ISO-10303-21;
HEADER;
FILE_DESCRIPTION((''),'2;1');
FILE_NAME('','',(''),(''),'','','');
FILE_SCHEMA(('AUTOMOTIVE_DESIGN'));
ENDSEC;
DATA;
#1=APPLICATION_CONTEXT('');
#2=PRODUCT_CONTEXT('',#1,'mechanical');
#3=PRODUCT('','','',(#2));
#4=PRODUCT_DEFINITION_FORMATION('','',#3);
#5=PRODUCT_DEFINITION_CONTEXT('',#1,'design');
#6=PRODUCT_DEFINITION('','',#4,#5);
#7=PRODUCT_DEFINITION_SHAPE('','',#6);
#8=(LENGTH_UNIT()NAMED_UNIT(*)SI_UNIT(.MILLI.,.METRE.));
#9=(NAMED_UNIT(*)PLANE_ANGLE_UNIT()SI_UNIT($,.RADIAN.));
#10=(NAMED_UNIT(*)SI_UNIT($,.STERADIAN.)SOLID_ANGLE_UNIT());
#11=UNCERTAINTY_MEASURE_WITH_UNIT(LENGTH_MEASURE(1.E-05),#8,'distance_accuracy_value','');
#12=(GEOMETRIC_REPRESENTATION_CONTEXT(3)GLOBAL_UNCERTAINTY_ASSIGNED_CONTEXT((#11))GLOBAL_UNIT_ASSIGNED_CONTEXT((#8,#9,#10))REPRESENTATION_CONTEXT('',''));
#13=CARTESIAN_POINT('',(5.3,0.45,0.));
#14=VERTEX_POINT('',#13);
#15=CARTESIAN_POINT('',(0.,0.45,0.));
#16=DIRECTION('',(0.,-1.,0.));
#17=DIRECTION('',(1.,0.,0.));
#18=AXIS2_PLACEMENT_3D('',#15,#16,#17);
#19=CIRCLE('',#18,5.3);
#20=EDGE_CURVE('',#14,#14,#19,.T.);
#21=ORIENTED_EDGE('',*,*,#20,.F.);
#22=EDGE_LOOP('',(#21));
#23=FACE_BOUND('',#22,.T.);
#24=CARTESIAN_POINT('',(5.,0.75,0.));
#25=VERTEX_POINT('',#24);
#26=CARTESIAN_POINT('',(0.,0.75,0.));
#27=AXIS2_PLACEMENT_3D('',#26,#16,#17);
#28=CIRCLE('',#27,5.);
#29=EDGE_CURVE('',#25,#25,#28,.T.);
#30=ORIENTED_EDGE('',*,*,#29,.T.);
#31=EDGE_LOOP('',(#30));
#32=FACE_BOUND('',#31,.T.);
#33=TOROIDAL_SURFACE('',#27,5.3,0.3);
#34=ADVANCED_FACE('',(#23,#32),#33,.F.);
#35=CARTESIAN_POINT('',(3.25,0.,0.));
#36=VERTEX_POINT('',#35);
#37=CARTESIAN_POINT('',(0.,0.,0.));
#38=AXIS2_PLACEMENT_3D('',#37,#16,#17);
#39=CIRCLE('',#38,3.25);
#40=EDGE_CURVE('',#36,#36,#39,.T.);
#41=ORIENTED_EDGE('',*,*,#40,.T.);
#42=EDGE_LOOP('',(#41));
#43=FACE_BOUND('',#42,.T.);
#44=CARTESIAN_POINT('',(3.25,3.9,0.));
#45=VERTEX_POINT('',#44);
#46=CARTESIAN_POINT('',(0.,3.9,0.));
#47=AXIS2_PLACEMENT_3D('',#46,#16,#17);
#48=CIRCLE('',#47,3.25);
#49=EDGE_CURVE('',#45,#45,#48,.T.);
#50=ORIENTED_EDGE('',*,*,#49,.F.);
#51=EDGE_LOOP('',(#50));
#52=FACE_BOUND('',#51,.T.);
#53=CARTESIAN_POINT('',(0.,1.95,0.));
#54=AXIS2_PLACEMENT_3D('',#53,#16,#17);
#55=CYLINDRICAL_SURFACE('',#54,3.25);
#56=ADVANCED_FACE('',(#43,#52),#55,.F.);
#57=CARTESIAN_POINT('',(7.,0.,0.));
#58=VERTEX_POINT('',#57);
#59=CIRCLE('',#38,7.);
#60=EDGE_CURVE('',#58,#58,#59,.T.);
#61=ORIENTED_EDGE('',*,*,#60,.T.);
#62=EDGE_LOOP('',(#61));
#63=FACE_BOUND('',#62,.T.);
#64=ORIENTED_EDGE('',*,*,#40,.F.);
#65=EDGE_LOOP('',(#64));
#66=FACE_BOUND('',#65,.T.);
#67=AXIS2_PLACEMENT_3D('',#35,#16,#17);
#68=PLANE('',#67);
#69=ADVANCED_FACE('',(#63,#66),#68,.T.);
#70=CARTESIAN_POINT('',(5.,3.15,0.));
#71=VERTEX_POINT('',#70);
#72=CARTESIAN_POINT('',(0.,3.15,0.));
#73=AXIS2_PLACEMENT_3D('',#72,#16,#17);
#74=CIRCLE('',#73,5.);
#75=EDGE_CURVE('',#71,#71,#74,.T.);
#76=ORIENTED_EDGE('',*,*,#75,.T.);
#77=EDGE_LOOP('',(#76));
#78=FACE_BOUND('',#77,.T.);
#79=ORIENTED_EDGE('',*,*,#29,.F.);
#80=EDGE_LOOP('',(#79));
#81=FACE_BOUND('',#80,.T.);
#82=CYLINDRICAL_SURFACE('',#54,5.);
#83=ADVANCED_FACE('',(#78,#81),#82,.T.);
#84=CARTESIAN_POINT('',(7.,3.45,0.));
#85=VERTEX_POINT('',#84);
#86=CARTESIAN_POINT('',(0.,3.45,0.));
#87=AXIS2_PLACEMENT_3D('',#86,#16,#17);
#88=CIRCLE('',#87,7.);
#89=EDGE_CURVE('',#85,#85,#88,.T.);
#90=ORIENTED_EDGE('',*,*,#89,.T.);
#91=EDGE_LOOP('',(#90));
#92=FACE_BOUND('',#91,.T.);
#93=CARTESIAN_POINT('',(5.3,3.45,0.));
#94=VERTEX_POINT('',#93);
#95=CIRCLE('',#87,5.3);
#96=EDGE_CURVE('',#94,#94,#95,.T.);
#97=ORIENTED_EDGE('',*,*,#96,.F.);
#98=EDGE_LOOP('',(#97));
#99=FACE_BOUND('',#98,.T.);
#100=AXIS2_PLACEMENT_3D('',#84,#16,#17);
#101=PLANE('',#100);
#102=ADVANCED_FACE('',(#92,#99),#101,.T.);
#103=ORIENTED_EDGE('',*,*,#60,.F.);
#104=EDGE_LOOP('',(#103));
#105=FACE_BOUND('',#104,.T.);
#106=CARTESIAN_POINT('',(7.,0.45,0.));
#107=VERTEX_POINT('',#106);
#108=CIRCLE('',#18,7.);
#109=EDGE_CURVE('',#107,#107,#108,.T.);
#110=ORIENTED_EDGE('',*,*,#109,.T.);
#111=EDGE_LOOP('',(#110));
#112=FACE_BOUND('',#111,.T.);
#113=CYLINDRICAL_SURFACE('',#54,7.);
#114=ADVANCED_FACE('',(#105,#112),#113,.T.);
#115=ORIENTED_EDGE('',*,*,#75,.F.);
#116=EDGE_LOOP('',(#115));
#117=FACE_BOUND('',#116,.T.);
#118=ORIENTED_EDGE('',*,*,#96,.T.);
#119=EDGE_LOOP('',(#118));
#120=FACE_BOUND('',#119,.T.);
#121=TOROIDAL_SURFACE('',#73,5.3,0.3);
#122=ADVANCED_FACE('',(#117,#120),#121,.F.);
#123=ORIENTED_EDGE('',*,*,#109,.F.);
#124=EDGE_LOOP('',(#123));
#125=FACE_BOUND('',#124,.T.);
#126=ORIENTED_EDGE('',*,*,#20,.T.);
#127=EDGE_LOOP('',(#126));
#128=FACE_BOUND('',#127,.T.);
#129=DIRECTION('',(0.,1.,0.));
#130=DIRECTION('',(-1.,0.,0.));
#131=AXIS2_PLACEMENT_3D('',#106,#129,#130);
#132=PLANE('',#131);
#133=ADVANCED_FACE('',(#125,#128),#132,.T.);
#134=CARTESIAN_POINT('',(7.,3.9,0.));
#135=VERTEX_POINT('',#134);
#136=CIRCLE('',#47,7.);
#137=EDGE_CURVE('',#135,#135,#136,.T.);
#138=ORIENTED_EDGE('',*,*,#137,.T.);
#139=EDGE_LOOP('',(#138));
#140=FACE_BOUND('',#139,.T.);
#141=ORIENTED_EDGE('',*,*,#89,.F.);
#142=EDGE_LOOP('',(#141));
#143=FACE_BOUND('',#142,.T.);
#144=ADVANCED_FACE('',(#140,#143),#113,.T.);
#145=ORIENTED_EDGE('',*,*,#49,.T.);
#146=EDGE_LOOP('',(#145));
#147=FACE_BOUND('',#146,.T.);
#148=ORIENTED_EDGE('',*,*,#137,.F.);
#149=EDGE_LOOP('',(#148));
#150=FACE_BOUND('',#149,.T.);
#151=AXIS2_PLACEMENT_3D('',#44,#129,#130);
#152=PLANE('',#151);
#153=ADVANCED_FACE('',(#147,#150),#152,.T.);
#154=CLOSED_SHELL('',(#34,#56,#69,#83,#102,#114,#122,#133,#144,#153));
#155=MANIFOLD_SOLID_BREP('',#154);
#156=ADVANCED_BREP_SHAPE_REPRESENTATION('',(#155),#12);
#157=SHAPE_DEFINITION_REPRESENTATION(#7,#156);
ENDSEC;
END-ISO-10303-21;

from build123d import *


with BuildPart() as part:
    # ｽｹｯﾁ1 → 回転1 (revolve)
    with BuildSketch(Plane.XY):
        with BuildLine():
            Line((7, 3.45), (5.3, 3.45))
            ThreePointArc((5.3, 3.45), (5.087867966, 3.362132034), (5, 3.15))
            Line((5, 3.15), (5, 0.75))
            ThreePointArc((5, 0.75), (5.087867966, 0.537867966), (5.3, 0.45))
            Line((5.3, 0.45), (7, 0.45))
            Line((7, 0.45), (7, 0))
            Line((7, 0), (3.25, 0))
            Line((3.25, 0), (3.25, 3.9))
            Line((3.25, 3.9), (7, 3.9))
            Line((7, 3.9), (7, 3.45))
        make_face()
    revolve(axis=Axis((0, 1.95, 0), (0, 1, 0)))


solid = part.part
